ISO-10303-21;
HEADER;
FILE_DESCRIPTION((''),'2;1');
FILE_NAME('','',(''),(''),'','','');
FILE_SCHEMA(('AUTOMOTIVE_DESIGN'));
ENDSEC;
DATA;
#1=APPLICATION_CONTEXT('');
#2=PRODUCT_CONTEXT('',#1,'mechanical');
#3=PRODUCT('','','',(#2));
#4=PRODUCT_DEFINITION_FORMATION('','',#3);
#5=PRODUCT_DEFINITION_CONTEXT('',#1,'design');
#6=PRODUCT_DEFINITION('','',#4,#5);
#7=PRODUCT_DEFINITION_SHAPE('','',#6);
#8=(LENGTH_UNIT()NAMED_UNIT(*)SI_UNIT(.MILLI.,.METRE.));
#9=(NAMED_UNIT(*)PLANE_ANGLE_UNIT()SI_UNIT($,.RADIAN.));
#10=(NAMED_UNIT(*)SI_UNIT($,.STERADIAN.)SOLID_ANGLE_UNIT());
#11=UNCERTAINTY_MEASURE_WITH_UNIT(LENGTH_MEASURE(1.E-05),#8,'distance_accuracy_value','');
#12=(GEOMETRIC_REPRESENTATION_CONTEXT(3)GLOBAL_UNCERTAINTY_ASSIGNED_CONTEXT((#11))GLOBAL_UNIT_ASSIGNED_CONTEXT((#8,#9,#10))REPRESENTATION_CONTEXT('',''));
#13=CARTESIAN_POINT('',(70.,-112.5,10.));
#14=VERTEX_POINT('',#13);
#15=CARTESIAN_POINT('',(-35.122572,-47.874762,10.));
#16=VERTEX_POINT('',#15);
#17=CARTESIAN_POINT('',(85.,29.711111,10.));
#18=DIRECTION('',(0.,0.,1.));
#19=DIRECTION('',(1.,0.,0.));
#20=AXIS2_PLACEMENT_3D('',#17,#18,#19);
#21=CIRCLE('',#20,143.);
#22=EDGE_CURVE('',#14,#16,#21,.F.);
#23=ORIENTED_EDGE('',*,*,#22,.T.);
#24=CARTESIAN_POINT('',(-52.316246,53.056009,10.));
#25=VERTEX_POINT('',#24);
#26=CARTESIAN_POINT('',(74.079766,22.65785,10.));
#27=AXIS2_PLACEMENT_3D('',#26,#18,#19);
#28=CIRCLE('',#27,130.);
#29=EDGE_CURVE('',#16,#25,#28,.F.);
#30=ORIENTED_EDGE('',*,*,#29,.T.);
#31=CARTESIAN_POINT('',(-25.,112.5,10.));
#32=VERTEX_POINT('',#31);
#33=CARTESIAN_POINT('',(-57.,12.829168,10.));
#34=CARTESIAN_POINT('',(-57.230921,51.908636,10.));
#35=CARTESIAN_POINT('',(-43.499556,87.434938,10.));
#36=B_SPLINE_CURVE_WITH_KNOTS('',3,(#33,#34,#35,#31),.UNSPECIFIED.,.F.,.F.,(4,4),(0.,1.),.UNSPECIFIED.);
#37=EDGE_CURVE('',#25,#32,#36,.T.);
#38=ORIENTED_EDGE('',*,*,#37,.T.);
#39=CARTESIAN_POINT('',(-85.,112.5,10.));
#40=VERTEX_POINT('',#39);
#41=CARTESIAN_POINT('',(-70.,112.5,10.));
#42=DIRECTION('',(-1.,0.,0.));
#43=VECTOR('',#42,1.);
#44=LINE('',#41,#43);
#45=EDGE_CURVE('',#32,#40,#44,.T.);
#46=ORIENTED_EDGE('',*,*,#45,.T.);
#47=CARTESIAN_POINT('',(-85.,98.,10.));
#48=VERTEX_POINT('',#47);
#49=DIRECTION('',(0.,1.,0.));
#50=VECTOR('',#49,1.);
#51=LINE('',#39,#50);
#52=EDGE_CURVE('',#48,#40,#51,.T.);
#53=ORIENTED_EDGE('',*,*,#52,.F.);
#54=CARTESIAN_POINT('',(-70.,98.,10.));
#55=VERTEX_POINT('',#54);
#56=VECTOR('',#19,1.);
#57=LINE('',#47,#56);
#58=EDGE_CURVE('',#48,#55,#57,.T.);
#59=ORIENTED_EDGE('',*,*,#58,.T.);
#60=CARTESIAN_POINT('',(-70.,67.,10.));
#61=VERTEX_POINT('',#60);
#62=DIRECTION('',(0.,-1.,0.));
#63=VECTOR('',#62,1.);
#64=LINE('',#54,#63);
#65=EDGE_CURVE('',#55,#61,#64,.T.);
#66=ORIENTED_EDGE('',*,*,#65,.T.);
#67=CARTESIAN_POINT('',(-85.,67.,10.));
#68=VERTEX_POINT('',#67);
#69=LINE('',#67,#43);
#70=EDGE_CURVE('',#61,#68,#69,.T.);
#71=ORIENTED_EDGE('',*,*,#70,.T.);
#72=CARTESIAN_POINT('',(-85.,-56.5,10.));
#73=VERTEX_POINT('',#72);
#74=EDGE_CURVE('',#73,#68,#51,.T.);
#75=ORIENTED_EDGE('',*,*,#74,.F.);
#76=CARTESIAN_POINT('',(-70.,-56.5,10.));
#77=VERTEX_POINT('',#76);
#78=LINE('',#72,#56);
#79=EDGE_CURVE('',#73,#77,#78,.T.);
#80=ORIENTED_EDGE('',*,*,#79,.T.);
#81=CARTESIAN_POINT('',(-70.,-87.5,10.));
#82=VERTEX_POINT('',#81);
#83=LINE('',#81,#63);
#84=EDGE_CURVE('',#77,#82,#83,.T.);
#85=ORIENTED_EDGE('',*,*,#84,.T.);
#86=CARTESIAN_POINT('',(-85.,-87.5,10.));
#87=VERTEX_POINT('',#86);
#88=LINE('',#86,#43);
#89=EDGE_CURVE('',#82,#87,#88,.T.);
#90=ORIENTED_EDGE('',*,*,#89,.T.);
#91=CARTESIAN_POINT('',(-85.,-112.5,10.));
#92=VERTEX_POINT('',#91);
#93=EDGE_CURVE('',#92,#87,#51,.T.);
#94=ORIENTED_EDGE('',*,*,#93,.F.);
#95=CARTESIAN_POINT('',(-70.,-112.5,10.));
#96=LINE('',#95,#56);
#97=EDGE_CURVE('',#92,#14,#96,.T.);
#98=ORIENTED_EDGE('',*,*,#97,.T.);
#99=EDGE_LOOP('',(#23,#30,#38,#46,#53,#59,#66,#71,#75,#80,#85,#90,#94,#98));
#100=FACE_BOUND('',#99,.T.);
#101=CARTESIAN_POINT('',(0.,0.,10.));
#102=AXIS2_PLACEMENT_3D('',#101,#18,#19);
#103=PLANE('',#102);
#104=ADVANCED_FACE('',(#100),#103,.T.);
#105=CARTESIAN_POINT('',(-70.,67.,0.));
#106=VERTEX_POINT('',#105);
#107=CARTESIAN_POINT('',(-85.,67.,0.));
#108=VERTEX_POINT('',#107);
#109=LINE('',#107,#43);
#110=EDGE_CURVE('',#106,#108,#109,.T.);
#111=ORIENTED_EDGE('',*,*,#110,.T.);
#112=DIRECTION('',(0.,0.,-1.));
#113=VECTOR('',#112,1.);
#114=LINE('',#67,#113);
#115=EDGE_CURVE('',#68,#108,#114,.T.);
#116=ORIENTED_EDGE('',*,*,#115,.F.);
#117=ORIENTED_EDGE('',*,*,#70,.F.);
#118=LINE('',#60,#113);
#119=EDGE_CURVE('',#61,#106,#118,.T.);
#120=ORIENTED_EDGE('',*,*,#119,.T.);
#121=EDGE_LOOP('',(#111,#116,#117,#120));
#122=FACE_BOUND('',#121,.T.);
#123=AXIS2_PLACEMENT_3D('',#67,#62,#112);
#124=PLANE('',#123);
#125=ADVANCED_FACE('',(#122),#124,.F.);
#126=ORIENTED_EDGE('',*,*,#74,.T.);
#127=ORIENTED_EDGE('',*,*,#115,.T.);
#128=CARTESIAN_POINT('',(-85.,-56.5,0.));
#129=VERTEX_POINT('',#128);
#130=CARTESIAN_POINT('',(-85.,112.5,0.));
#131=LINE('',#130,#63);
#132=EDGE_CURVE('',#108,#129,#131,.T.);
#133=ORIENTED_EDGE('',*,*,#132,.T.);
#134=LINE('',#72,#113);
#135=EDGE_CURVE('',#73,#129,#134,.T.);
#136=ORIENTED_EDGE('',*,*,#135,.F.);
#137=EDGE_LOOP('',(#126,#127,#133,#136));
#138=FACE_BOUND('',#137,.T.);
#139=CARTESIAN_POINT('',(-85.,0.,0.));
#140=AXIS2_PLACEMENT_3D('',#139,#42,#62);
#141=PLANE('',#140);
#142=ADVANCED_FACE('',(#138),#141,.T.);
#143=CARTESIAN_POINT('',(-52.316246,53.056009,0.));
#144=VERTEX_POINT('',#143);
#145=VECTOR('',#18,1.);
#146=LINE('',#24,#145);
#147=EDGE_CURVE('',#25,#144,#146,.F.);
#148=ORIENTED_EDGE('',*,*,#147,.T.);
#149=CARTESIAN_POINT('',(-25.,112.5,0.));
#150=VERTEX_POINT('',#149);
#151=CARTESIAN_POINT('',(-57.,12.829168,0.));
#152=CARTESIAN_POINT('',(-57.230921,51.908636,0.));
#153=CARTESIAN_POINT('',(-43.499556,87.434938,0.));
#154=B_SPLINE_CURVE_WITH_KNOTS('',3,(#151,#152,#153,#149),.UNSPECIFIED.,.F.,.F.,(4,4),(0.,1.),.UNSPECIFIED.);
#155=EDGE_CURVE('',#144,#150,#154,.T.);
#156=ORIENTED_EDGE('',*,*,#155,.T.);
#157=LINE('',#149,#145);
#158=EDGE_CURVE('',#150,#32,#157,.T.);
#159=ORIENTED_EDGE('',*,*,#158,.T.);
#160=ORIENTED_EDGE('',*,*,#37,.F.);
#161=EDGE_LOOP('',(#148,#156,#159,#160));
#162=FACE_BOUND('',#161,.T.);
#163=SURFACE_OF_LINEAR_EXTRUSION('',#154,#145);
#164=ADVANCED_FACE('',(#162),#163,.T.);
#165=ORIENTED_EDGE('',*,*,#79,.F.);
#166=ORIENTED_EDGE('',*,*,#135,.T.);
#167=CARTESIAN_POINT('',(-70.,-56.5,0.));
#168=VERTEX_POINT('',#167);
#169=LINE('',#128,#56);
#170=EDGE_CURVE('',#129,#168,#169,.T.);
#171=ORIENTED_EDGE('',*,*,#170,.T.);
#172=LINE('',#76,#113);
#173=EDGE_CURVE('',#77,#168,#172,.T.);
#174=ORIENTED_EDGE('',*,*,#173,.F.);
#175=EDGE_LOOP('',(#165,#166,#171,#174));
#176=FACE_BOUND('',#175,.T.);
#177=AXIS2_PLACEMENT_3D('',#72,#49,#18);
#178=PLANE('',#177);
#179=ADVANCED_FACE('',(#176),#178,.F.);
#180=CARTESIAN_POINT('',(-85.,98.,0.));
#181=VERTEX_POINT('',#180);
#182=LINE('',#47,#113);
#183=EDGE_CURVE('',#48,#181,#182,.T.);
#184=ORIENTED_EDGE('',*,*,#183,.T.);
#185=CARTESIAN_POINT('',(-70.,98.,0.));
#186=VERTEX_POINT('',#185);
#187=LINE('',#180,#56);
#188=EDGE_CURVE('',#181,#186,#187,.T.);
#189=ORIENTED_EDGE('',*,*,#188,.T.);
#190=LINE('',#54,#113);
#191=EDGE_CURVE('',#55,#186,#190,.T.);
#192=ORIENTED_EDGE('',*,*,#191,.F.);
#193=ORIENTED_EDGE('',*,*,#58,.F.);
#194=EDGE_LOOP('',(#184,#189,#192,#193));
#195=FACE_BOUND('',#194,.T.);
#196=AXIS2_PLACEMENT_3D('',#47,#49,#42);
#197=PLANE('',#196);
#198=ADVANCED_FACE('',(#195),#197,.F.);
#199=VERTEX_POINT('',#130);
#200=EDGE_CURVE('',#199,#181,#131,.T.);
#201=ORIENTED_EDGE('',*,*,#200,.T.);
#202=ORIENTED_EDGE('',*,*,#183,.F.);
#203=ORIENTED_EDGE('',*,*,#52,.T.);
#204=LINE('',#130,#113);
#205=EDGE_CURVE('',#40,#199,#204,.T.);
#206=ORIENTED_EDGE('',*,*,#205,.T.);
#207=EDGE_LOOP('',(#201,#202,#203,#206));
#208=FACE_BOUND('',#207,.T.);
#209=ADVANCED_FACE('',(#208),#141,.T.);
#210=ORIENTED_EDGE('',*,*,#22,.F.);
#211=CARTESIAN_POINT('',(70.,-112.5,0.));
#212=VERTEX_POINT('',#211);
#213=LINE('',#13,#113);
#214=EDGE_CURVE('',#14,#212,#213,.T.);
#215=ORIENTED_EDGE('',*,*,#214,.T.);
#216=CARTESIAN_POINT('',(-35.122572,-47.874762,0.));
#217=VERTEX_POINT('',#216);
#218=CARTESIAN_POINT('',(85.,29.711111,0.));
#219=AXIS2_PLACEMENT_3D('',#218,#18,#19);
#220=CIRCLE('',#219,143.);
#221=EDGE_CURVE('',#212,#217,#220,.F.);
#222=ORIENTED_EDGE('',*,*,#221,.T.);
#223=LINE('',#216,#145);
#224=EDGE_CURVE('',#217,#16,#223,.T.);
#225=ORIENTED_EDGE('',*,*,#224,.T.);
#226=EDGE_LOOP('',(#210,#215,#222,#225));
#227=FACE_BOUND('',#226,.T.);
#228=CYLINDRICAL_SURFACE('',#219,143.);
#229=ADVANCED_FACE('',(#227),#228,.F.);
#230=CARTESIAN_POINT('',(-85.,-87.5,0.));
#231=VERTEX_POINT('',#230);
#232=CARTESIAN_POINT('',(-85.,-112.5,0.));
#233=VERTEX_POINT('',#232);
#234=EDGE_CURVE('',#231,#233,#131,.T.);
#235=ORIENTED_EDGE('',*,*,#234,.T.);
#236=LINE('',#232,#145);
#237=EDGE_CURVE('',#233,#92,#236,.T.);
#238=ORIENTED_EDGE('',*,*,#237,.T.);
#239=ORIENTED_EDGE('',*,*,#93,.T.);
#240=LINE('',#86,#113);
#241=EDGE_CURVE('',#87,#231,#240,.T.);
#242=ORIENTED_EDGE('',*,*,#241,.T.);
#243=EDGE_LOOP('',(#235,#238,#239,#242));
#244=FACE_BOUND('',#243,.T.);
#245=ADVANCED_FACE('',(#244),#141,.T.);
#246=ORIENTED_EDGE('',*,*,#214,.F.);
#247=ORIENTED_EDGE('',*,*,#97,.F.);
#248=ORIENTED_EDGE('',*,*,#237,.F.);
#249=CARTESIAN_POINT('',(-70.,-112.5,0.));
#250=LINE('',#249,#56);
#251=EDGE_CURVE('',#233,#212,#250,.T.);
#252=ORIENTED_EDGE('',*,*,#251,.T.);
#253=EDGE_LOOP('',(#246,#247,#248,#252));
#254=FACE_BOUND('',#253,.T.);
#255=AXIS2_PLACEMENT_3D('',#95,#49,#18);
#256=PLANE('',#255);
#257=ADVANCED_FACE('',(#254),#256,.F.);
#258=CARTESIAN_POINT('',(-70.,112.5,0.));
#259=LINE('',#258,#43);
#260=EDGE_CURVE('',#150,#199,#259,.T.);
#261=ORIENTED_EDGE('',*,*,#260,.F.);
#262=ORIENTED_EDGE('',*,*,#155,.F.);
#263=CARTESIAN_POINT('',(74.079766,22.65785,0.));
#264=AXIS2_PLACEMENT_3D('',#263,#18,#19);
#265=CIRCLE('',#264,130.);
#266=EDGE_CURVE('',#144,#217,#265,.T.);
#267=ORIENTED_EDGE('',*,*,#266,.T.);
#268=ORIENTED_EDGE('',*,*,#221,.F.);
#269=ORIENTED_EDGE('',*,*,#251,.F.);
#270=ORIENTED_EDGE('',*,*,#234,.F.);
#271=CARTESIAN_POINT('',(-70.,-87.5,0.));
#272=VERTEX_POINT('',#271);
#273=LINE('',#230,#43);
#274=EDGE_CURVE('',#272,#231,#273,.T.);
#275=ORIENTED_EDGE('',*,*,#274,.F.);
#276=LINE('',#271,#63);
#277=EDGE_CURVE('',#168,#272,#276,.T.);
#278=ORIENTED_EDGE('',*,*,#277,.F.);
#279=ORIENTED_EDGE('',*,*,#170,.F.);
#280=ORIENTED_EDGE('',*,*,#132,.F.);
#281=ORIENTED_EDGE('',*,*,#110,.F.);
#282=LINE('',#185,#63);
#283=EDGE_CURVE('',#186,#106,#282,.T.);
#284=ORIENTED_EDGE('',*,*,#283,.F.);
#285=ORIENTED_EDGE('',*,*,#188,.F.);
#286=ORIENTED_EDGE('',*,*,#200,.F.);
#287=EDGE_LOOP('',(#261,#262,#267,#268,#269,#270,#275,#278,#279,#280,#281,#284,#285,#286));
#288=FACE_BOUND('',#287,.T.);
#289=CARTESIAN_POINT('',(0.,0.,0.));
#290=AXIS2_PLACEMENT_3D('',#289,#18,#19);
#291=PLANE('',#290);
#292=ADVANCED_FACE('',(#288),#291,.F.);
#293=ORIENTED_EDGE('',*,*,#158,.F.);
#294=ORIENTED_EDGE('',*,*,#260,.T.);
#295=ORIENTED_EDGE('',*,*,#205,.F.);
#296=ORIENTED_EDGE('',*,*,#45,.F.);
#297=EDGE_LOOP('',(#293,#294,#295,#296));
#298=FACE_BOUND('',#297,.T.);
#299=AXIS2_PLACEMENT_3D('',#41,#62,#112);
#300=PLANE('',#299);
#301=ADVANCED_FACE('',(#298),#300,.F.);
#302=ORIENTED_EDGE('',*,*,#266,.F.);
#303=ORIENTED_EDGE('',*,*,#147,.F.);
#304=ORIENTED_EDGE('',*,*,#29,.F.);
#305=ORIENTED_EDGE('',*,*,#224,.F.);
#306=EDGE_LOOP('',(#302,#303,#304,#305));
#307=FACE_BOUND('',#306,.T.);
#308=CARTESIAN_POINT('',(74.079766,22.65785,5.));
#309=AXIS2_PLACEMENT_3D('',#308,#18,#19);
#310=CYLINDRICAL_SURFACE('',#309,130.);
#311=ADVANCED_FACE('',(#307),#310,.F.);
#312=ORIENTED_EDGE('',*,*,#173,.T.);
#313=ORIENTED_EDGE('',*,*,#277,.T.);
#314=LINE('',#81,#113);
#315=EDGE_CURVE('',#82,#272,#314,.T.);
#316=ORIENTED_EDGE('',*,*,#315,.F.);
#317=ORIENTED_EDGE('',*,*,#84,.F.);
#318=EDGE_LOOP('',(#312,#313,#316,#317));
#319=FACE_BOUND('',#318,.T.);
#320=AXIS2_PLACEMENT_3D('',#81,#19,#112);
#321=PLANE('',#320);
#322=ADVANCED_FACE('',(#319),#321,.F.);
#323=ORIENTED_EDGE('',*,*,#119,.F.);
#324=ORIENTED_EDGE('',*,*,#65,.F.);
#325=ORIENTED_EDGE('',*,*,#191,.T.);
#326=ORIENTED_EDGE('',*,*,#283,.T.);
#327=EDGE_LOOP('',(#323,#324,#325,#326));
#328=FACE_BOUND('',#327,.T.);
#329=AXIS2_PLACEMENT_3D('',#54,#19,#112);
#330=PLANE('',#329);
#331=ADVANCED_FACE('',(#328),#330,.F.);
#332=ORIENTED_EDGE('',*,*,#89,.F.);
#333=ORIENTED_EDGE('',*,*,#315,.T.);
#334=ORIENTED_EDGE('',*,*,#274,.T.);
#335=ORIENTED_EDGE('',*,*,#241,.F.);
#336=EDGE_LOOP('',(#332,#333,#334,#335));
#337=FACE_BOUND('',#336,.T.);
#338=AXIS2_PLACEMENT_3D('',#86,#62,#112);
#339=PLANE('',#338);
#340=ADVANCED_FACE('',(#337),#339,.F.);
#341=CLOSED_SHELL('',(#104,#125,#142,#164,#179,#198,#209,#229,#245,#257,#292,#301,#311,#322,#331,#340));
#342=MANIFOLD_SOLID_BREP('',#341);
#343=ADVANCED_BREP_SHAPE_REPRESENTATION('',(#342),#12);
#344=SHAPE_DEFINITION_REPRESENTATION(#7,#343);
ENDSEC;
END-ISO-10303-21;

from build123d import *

# Parameters (mm, degrees)
SKETCH1_W           = 140
SKETCH1_H           = 225
BOSS_EXTRUDE1_DEPTH = 10
CUT_EXTRUDE1_DEPTH  = 10
FILLET1_R           = 130
SKETCH3_W           = 10
SKETCH3_H           = 225
BOSS_EXTRUDE2_DEPTH = 15
SKETCH4_W           = 15
SKETCH4_H           = 31
CUT_EXTRUDE3_DEPTH  = 142.355049579


with BuildPart() as part:
    # Sketch1 → Boss-Extrude1 (new body)
    with BuildSketch(Plane.XY):
        Rectangle(SKETCH1_W, SKETCH1_H)
    extrude(amount=BOSS_EXTRUDE1_DEPTH)

    # Sketch2 → Cut-Extrude1 (cut)
    with BuildSketch(Plane.XY.offset(10)):
        with BuildLine():
            Line((70, 112.5), (-25, 112.5))
            add(Edge.make_bspline(
                [(-57, 12.829167661), (-57.230920503, 51.908636371), (-43.499555568, 87.434937954), (-25, 112.5)],
                knots=[0, 0, 0, 0, 1, 1, 1, 1], degree=3))
            Line((-57, 12.829167661), (70, -112.5))
            Line((70, -112.5), (70, 112.5))
        make_face()
        with BuildLine():
            Line((-57, 12.829167661), (70, -112.5))
            ThreePointArc((70, -112.5), (-15.444512377, -72.072482958), (-57, 12.829167661))
        make_face()
    extrude(amount=-CUT_EXTRUDE1_DEPTH, mode=Mode.SUBTRACT)

    # Fillet1
    fillet1_edges = [part.edges().sort_by_distance(p)[0] for p in [
        (-57, 12.829167661, 5),
    ]]
    fillet(fillet1_edges, radius=FILLET1_R)

    # Sketch3 → Boss-Extrude2 (add)
    with BuildSketch(Plane.ZY.offset(70)):
        with Locations((5, 0)):
            Rectangle(SKETCH3_W, SKETCH3_H)
    extrude(amount=BOSS_EXTRUDE2_DEPTH)

    # Sketch4 → Cut-Extrude3 (cut, through all)
    with BuildSketch(Plane(origin=(0, 0, 0), x_dir=(-1, 0, 0), z_dir=(0, 0, -1))):
        with Locations((77.5, 82.5)):
            Rectangle(SKETCH4_W, SKETCH4_H)
        with Locations((77.5, -72)):
            Rectangle(SKETCH4_W, SKETCH4_H)
    extrude(amount=-CUT_EXTRUDE3_DEPTH, mode=Mode.SUBTRACT)


solid = part.part
